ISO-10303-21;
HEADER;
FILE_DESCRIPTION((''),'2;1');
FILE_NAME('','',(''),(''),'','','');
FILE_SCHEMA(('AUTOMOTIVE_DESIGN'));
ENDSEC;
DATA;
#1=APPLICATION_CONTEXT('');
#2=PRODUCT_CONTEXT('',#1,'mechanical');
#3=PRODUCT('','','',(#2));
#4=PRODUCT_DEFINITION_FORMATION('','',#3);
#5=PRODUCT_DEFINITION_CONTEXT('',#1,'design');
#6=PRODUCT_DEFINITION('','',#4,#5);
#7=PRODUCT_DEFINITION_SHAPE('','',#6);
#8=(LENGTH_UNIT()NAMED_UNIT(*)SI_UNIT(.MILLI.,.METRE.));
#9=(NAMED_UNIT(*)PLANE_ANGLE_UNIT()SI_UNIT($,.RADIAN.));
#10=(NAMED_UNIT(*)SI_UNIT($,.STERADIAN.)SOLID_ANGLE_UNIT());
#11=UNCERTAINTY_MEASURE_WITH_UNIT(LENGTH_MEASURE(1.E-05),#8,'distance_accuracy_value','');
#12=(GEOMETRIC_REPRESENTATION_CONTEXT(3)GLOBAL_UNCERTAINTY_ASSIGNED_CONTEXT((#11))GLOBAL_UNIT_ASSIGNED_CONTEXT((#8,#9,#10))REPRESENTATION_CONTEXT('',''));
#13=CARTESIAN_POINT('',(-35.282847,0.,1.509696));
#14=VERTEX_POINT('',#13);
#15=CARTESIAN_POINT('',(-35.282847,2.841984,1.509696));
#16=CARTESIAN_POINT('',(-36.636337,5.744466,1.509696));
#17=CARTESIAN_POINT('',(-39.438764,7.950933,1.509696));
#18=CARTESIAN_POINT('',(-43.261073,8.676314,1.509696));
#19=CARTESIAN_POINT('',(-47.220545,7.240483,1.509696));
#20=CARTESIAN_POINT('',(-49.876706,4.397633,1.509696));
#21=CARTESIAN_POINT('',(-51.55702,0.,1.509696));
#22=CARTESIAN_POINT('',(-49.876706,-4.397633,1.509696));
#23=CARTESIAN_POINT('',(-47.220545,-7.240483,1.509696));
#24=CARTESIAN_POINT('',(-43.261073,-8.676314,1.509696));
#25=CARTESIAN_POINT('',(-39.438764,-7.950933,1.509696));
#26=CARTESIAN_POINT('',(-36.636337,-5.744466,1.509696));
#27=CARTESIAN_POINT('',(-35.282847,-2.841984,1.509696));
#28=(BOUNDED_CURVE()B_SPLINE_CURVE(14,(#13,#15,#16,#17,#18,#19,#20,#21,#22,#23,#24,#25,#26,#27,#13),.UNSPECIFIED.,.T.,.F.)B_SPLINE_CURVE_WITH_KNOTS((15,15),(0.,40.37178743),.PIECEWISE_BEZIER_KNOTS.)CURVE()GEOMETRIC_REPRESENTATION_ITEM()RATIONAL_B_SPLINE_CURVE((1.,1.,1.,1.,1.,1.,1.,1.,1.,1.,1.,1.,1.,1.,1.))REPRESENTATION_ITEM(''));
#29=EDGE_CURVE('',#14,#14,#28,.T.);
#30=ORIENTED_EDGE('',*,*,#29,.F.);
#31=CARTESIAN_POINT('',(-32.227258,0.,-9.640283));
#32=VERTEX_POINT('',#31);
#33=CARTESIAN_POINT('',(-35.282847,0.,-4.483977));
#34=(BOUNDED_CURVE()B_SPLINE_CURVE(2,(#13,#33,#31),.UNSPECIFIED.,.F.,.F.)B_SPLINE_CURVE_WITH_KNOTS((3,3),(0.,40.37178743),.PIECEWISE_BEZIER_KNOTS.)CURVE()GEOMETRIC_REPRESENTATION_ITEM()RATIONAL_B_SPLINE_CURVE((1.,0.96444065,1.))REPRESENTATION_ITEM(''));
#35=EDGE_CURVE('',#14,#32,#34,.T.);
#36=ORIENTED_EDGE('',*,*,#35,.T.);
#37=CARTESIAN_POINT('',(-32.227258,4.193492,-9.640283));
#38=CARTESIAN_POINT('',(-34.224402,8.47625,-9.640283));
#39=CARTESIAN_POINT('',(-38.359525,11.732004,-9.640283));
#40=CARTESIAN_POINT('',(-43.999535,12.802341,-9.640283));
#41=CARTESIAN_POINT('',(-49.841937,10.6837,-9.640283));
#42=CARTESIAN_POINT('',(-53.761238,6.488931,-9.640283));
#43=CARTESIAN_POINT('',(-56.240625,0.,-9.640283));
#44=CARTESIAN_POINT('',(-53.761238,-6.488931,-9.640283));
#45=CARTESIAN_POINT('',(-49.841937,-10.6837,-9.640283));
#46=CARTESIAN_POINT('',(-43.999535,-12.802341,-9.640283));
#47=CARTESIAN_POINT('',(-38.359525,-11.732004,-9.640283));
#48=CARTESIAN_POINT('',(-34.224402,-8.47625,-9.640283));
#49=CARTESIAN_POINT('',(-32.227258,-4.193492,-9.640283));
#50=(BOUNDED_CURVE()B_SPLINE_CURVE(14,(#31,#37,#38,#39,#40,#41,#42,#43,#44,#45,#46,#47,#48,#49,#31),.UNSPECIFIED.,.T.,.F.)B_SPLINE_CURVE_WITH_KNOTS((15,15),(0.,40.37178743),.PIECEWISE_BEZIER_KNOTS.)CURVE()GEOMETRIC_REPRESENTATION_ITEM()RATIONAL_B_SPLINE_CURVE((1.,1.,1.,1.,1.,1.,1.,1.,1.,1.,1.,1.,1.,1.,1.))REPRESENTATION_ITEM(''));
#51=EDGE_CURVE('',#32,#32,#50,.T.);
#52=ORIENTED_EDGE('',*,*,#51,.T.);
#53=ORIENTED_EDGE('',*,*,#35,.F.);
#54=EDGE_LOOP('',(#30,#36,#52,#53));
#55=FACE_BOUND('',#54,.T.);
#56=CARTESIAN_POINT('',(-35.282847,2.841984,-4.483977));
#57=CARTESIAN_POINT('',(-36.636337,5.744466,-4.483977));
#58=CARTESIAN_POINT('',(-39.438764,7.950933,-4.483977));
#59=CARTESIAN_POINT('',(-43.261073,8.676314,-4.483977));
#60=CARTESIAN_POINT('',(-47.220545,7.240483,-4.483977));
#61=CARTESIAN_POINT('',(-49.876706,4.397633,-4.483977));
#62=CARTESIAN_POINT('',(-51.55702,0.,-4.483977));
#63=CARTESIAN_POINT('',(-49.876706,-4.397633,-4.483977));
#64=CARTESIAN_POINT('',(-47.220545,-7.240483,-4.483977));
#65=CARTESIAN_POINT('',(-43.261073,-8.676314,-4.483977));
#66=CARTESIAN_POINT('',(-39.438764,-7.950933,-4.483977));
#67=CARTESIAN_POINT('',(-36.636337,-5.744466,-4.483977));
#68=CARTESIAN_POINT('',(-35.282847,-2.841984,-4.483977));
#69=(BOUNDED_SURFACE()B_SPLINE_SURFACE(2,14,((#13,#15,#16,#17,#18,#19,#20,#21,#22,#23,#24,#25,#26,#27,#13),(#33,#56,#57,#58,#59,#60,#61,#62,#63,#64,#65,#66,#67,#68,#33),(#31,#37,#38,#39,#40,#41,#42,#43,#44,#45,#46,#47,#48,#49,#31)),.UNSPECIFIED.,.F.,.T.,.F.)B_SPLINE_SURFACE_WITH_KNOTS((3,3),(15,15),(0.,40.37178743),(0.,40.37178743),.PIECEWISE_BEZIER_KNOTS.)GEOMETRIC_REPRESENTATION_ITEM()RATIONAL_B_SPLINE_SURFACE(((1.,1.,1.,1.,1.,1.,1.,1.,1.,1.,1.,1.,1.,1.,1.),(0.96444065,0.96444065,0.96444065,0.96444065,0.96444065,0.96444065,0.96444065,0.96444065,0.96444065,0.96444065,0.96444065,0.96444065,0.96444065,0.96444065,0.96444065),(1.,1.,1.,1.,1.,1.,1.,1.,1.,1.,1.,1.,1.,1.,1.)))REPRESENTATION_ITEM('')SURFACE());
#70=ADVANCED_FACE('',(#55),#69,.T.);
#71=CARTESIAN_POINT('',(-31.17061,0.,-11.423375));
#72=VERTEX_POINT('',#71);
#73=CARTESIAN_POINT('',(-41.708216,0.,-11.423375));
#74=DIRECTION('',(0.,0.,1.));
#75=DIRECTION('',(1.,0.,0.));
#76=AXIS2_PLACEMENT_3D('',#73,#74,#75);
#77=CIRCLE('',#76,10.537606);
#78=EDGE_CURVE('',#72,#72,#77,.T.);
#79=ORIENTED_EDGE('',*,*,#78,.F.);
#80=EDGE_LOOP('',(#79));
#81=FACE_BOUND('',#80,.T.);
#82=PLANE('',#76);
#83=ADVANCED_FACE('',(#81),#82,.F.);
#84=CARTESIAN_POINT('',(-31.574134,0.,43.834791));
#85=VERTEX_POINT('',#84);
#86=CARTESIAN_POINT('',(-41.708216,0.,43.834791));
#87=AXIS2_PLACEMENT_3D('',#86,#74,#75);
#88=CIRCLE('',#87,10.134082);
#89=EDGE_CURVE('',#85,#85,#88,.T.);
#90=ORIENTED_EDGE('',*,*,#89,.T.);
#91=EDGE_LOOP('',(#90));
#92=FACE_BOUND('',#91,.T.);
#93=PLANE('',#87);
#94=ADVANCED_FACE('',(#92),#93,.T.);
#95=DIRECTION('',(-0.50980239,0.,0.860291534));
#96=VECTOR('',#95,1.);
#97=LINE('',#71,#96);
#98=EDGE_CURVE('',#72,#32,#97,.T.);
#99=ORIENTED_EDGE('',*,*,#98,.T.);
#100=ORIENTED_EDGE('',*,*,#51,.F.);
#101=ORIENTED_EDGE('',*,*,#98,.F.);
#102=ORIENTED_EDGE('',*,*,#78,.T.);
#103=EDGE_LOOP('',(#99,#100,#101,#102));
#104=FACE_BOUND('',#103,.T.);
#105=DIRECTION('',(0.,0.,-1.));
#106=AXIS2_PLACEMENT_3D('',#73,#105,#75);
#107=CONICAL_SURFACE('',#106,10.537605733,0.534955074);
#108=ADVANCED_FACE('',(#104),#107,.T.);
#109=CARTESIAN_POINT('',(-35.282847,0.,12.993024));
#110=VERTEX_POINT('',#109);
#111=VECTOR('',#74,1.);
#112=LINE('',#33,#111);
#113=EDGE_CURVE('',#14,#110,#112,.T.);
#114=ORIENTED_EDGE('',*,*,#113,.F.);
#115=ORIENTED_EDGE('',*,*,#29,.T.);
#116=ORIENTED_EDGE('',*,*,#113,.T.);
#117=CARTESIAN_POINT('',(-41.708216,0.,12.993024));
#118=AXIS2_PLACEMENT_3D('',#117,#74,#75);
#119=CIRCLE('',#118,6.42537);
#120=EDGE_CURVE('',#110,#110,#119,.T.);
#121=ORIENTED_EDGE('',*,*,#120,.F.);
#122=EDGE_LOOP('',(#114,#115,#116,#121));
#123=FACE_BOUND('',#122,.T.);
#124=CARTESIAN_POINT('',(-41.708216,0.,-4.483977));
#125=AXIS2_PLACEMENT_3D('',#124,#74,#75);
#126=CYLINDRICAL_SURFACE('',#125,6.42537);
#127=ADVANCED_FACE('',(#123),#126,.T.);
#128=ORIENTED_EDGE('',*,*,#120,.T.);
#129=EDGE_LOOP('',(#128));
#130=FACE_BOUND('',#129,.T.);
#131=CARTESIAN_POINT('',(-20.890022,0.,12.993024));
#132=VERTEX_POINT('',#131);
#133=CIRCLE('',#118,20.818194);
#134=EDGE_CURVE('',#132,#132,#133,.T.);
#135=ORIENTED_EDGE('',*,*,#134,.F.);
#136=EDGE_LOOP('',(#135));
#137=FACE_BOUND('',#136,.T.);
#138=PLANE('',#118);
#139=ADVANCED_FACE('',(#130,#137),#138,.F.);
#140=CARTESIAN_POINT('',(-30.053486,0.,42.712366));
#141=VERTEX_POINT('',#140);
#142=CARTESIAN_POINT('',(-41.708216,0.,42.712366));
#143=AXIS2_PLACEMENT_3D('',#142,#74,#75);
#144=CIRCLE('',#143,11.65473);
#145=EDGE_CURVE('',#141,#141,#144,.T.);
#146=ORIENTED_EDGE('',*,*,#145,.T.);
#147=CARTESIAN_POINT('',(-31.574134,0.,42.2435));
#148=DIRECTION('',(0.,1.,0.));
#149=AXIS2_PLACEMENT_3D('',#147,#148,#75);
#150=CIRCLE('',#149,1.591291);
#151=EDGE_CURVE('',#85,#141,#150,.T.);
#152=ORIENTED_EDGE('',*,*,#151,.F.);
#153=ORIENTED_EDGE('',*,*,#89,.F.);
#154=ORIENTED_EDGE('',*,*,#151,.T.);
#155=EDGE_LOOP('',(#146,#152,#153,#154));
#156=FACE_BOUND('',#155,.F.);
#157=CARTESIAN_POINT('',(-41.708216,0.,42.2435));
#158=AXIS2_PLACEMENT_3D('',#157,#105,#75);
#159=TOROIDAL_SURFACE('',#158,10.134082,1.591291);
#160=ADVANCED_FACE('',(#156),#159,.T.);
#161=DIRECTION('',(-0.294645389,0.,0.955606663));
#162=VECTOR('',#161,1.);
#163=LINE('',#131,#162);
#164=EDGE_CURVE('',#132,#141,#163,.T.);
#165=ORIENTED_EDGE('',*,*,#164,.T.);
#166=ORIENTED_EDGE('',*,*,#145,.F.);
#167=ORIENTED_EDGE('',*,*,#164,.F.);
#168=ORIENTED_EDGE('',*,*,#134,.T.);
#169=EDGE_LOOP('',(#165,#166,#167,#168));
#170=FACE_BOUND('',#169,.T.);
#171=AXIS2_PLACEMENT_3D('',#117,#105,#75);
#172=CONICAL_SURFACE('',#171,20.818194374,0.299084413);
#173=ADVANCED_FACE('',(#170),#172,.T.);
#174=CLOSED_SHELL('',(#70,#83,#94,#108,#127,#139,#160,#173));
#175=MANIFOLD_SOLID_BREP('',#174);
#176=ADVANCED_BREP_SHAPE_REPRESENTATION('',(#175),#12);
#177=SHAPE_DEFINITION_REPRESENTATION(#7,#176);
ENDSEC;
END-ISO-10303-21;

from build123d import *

# Parameters (mm, degrees)
F2_R = 1.5912908075
F3_R = 21.8711796934


with BuildPart() as f1:
    # F0 (on Front) → F1 (revolve)
    with BuildSketch(Plane.XZ):
        Polygon((-30.3995665163, 43.8347905874), (-41.7082160711, 43.8347905874), (-41.7082160711, -11.4233754575), (-31.1706103384, -11.4233754575), (-35.2828465402, -4.483976867), (-35.2828465402, 12.9930237308), (-20.8900216967, 12.9930237308), align=None)
    revolve(axis=Axis((-41.7082160711, 0, 16.2057075649), (0, 0, 1)))

    # F2
    f2_edges = [f1.edges().sort_by_distance(p)[0] for p in [
        (-53.016866, 0, 43.834791),
    ]]
    fillet(f2_edges, radius=F2_R)

    # F3
    f3_edges = [f1.edges().sort_by_distance(p)[0] for p in [
        (-48.133586, 0, -4.483977),
    ]]
    fillet(f3_edges, radius=F3_R)


solid = f1.part
